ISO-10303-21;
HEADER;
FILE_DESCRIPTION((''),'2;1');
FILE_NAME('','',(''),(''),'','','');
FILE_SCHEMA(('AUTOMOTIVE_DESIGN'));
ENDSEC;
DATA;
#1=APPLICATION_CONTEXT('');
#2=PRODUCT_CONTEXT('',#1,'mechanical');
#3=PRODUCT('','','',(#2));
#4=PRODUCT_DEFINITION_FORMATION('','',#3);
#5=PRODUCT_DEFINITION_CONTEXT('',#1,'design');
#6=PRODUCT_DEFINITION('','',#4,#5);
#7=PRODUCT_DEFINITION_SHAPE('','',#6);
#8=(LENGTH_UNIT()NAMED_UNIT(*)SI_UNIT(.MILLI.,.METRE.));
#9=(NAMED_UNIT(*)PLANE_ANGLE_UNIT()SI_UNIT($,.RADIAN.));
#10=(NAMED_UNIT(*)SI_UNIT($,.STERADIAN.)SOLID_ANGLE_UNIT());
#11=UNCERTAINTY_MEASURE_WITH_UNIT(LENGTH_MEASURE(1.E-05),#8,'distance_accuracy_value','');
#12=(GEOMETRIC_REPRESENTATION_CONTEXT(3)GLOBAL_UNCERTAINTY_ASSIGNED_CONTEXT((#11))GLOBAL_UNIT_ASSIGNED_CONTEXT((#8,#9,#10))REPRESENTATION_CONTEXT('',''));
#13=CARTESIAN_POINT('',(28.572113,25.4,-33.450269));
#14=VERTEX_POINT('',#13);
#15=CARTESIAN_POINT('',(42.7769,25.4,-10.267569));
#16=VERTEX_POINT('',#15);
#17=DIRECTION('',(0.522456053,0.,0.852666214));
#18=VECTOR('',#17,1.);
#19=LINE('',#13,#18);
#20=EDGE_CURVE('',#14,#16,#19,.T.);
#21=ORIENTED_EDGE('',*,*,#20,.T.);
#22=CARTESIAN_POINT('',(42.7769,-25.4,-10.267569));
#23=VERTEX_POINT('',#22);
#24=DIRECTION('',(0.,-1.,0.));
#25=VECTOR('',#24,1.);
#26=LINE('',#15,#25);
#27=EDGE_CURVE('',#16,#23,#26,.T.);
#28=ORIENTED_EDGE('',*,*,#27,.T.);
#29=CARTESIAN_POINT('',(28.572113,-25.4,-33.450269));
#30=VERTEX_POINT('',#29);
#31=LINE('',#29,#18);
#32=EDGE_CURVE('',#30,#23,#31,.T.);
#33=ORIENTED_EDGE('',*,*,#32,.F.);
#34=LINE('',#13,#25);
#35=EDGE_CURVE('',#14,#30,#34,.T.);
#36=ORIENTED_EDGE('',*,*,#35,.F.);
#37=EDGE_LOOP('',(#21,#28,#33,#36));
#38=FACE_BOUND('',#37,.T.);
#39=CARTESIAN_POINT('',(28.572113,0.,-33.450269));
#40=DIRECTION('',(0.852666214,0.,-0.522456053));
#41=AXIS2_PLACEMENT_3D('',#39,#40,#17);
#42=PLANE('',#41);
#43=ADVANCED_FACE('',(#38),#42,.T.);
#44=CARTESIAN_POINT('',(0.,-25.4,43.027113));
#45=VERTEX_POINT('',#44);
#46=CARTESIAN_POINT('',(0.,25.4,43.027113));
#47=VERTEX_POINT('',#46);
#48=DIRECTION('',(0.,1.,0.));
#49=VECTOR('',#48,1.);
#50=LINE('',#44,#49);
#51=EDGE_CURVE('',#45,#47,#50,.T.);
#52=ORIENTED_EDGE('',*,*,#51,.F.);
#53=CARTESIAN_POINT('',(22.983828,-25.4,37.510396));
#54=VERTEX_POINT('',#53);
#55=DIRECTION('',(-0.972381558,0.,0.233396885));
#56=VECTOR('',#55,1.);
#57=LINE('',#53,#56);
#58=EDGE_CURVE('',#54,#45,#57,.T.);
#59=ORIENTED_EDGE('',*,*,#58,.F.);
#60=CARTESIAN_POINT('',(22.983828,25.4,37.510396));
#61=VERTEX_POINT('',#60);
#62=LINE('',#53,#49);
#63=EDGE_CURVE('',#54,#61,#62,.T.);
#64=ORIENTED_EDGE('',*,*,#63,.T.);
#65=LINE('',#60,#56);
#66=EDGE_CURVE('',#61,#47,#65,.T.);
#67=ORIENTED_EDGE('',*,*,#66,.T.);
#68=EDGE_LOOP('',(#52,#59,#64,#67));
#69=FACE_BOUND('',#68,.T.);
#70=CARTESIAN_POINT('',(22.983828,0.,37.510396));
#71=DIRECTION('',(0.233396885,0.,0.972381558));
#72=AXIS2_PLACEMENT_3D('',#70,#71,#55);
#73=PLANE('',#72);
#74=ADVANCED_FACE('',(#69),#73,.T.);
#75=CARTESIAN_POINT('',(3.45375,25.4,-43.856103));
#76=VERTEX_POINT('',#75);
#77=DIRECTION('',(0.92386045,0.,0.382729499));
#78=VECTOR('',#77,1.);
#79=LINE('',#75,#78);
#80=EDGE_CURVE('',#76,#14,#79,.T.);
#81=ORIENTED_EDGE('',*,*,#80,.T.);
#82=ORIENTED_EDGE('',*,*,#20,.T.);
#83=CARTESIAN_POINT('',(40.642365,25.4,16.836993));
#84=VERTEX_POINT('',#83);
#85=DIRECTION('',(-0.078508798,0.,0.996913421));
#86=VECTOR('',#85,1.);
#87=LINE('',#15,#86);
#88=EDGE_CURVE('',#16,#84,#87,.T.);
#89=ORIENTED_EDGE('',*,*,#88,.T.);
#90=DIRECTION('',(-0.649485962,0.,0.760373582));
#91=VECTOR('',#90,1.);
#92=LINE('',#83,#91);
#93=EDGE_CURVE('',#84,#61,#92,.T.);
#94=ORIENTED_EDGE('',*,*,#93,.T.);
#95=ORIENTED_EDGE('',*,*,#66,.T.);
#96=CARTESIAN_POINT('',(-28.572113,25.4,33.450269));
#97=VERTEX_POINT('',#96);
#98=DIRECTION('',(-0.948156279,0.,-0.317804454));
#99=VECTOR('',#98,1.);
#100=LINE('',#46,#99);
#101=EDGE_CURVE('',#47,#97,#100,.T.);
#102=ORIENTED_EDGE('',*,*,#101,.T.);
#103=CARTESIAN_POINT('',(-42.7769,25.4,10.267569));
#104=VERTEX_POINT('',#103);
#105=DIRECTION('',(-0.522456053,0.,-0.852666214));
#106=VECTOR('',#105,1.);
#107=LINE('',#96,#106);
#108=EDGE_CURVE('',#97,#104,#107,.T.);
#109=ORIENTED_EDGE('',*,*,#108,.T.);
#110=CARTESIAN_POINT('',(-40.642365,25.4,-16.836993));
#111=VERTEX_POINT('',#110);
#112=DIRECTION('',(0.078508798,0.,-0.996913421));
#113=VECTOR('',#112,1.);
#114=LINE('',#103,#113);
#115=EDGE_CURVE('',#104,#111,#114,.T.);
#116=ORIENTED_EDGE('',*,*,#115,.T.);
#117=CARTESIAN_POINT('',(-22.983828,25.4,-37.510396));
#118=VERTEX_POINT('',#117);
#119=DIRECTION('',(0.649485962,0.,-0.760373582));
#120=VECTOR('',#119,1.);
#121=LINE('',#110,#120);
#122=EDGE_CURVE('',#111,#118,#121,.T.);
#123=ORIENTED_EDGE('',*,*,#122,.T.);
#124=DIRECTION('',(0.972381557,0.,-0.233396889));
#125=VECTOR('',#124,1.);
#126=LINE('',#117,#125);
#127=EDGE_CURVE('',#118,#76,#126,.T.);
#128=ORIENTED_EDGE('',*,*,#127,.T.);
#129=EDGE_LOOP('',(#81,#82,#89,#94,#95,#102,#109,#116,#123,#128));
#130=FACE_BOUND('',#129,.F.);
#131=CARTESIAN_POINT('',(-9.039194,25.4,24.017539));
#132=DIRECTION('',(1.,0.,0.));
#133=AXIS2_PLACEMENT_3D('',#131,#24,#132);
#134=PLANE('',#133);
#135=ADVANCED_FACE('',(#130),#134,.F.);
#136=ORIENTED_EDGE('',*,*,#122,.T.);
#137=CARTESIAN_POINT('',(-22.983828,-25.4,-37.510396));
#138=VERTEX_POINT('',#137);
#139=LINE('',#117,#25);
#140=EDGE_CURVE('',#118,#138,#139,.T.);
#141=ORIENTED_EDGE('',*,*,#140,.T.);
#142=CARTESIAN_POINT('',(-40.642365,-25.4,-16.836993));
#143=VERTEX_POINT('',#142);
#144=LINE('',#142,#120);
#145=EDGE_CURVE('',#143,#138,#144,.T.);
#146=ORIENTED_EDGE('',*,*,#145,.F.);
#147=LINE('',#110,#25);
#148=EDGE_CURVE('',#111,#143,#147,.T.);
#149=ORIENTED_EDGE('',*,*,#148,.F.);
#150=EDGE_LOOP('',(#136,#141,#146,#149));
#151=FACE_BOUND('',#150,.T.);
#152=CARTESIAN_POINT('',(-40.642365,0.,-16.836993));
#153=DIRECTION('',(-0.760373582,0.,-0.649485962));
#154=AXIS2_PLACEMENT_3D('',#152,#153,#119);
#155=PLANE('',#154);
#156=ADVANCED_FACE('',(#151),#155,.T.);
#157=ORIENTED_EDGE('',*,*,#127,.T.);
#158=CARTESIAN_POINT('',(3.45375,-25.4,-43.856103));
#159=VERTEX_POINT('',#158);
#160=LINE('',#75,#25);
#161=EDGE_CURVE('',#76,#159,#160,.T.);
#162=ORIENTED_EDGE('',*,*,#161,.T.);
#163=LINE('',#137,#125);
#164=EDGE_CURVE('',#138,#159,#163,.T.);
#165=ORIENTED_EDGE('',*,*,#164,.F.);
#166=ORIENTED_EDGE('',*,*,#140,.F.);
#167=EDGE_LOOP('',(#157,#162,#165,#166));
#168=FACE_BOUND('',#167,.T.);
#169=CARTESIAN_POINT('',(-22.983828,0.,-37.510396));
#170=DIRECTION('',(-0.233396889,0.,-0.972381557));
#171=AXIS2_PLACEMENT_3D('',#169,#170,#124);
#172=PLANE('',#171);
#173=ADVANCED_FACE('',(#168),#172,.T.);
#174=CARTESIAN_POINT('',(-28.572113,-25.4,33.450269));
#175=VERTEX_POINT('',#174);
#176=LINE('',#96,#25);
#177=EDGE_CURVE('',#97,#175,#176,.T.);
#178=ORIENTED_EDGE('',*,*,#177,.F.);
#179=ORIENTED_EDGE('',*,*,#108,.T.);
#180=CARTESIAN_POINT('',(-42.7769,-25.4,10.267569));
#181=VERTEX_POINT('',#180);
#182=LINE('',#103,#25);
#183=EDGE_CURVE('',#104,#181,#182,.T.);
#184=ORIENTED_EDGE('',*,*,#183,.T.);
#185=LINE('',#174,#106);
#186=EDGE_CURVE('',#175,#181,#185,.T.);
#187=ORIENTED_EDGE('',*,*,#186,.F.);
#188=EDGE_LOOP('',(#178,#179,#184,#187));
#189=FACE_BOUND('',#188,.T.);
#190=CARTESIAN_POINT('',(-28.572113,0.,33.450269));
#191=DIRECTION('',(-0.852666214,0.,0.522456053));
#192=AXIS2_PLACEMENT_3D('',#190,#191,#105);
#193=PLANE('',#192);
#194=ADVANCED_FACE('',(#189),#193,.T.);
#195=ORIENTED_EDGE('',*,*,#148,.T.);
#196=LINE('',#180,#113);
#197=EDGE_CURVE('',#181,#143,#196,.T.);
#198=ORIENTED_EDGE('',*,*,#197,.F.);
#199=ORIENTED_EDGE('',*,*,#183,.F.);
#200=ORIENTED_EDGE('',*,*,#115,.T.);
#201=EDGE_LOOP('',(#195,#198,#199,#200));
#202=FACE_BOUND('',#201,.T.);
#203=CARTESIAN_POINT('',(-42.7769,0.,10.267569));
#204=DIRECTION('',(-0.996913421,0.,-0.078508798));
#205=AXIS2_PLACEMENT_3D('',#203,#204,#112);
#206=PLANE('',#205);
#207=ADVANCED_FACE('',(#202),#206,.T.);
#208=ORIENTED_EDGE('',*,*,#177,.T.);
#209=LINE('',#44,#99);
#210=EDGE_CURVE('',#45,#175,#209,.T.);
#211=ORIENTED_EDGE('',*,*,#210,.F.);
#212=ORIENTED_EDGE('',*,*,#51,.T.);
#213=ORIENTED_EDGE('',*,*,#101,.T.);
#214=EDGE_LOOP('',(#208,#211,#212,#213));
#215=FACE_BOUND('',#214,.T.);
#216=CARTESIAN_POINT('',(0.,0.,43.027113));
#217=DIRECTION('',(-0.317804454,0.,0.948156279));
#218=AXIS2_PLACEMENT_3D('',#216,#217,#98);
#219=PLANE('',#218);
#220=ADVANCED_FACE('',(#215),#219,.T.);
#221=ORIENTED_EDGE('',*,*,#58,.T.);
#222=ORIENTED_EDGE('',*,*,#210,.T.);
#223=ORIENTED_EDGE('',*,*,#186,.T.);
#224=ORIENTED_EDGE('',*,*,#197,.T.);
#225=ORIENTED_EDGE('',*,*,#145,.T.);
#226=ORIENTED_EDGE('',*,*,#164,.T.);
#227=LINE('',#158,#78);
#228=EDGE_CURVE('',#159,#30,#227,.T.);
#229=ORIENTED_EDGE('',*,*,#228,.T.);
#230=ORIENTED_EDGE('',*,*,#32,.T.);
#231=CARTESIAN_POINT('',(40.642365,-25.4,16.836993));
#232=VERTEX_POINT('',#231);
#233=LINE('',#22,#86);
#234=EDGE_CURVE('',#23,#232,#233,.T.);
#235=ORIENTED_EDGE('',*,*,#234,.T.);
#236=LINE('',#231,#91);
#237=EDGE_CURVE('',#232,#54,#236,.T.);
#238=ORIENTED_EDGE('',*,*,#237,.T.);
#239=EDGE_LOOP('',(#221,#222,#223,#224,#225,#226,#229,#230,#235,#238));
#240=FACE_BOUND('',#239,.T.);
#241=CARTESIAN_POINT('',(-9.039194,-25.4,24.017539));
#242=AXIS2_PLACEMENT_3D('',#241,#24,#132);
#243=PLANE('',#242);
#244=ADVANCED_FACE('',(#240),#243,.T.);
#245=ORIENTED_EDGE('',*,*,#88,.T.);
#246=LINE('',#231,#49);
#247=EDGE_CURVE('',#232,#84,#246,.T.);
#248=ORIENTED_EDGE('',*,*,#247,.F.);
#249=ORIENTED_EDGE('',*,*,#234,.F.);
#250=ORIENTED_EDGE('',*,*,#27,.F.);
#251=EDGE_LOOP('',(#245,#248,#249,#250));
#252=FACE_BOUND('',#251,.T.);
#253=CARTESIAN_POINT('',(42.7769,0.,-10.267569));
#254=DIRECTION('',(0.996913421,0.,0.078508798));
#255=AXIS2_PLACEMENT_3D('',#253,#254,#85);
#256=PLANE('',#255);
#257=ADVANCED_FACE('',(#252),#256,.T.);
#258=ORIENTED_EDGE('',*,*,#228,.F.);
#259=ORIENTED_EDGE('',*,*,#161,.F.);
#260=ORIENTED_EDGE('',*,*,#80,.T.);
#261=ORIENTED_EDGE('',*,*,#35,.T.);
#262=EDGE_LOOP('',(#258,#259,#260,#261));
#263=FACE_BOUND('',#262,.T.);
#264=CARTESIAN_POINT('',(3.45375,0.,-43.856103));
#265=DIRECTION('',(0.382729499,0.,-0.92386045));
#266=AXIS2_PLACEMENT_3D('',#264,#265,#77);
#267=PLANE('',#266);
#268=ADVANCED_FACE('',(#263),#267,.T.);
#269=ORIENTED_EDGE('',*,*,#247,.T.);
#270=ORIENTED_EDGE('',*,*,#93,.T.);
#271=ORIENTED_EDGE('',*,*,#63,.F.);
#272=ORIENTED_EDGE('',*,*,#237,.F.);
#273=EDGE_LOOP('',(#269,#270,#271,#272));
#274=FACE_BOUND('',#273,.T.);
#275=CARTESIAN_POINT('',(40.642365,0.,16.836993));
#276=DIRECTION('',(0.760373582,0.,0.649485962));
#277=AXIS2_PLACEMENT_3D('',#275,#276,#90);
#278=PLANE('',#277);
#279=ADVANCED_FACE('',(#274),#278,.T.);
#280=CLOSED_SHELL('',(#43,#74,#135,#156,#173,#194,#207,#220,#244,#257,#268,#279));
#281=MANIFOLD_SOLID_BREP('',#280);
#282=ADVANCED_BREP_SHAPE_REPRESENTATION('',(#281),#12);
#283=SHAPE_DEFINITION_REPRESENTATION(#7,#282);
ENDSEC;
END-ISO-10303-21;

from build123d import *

# Parameters (mm, degrees)
F1_DEPTH = 25.4


with BuildPart() as f1:
    # F0 (on Front) → F1 (new body, symmetric)
    with BuildSketch(Plane.XZ):
        Polygon((-28.572113, 33.450269), (0, 0), (0, 43.027113), align=None)
        Polygon((22.983828, 37.510396), (0, 0), (40.642365, 16.836993), align=None)
        Polygon((42.7769, -10.267569), (0, 0), (28.572113, -33.450269), align=None)
        Polygon((0, 0), (-22.983828, -37.510396), (3.45375, -43.856103), align=None)
        Polygon((-42.7769, 10.267569), (-40.642365, -16.836993), (0, 0), align=None)
        Polygon((-42.7769, 10.267569), (0, 0), (-28.572113, 33.450269), align=None)
        Polygon((0, 43.027113), (0, 0), (22.983828, 37.510396), align=None)
        Polygon((40.642365, 16.836993), (0, 0), (42.7769, -10.267569), align=None)
        Polygon((0, 0), (3.45375, -43.856103), (28.572113, -33.450269), align=None)
        Polygon((-40.642365, -16.836993), (-22.983828, -37.510396), (0, 0), align=None)
    extrude(amount=F1_DEPTH, both=True)


solid = f1.part
